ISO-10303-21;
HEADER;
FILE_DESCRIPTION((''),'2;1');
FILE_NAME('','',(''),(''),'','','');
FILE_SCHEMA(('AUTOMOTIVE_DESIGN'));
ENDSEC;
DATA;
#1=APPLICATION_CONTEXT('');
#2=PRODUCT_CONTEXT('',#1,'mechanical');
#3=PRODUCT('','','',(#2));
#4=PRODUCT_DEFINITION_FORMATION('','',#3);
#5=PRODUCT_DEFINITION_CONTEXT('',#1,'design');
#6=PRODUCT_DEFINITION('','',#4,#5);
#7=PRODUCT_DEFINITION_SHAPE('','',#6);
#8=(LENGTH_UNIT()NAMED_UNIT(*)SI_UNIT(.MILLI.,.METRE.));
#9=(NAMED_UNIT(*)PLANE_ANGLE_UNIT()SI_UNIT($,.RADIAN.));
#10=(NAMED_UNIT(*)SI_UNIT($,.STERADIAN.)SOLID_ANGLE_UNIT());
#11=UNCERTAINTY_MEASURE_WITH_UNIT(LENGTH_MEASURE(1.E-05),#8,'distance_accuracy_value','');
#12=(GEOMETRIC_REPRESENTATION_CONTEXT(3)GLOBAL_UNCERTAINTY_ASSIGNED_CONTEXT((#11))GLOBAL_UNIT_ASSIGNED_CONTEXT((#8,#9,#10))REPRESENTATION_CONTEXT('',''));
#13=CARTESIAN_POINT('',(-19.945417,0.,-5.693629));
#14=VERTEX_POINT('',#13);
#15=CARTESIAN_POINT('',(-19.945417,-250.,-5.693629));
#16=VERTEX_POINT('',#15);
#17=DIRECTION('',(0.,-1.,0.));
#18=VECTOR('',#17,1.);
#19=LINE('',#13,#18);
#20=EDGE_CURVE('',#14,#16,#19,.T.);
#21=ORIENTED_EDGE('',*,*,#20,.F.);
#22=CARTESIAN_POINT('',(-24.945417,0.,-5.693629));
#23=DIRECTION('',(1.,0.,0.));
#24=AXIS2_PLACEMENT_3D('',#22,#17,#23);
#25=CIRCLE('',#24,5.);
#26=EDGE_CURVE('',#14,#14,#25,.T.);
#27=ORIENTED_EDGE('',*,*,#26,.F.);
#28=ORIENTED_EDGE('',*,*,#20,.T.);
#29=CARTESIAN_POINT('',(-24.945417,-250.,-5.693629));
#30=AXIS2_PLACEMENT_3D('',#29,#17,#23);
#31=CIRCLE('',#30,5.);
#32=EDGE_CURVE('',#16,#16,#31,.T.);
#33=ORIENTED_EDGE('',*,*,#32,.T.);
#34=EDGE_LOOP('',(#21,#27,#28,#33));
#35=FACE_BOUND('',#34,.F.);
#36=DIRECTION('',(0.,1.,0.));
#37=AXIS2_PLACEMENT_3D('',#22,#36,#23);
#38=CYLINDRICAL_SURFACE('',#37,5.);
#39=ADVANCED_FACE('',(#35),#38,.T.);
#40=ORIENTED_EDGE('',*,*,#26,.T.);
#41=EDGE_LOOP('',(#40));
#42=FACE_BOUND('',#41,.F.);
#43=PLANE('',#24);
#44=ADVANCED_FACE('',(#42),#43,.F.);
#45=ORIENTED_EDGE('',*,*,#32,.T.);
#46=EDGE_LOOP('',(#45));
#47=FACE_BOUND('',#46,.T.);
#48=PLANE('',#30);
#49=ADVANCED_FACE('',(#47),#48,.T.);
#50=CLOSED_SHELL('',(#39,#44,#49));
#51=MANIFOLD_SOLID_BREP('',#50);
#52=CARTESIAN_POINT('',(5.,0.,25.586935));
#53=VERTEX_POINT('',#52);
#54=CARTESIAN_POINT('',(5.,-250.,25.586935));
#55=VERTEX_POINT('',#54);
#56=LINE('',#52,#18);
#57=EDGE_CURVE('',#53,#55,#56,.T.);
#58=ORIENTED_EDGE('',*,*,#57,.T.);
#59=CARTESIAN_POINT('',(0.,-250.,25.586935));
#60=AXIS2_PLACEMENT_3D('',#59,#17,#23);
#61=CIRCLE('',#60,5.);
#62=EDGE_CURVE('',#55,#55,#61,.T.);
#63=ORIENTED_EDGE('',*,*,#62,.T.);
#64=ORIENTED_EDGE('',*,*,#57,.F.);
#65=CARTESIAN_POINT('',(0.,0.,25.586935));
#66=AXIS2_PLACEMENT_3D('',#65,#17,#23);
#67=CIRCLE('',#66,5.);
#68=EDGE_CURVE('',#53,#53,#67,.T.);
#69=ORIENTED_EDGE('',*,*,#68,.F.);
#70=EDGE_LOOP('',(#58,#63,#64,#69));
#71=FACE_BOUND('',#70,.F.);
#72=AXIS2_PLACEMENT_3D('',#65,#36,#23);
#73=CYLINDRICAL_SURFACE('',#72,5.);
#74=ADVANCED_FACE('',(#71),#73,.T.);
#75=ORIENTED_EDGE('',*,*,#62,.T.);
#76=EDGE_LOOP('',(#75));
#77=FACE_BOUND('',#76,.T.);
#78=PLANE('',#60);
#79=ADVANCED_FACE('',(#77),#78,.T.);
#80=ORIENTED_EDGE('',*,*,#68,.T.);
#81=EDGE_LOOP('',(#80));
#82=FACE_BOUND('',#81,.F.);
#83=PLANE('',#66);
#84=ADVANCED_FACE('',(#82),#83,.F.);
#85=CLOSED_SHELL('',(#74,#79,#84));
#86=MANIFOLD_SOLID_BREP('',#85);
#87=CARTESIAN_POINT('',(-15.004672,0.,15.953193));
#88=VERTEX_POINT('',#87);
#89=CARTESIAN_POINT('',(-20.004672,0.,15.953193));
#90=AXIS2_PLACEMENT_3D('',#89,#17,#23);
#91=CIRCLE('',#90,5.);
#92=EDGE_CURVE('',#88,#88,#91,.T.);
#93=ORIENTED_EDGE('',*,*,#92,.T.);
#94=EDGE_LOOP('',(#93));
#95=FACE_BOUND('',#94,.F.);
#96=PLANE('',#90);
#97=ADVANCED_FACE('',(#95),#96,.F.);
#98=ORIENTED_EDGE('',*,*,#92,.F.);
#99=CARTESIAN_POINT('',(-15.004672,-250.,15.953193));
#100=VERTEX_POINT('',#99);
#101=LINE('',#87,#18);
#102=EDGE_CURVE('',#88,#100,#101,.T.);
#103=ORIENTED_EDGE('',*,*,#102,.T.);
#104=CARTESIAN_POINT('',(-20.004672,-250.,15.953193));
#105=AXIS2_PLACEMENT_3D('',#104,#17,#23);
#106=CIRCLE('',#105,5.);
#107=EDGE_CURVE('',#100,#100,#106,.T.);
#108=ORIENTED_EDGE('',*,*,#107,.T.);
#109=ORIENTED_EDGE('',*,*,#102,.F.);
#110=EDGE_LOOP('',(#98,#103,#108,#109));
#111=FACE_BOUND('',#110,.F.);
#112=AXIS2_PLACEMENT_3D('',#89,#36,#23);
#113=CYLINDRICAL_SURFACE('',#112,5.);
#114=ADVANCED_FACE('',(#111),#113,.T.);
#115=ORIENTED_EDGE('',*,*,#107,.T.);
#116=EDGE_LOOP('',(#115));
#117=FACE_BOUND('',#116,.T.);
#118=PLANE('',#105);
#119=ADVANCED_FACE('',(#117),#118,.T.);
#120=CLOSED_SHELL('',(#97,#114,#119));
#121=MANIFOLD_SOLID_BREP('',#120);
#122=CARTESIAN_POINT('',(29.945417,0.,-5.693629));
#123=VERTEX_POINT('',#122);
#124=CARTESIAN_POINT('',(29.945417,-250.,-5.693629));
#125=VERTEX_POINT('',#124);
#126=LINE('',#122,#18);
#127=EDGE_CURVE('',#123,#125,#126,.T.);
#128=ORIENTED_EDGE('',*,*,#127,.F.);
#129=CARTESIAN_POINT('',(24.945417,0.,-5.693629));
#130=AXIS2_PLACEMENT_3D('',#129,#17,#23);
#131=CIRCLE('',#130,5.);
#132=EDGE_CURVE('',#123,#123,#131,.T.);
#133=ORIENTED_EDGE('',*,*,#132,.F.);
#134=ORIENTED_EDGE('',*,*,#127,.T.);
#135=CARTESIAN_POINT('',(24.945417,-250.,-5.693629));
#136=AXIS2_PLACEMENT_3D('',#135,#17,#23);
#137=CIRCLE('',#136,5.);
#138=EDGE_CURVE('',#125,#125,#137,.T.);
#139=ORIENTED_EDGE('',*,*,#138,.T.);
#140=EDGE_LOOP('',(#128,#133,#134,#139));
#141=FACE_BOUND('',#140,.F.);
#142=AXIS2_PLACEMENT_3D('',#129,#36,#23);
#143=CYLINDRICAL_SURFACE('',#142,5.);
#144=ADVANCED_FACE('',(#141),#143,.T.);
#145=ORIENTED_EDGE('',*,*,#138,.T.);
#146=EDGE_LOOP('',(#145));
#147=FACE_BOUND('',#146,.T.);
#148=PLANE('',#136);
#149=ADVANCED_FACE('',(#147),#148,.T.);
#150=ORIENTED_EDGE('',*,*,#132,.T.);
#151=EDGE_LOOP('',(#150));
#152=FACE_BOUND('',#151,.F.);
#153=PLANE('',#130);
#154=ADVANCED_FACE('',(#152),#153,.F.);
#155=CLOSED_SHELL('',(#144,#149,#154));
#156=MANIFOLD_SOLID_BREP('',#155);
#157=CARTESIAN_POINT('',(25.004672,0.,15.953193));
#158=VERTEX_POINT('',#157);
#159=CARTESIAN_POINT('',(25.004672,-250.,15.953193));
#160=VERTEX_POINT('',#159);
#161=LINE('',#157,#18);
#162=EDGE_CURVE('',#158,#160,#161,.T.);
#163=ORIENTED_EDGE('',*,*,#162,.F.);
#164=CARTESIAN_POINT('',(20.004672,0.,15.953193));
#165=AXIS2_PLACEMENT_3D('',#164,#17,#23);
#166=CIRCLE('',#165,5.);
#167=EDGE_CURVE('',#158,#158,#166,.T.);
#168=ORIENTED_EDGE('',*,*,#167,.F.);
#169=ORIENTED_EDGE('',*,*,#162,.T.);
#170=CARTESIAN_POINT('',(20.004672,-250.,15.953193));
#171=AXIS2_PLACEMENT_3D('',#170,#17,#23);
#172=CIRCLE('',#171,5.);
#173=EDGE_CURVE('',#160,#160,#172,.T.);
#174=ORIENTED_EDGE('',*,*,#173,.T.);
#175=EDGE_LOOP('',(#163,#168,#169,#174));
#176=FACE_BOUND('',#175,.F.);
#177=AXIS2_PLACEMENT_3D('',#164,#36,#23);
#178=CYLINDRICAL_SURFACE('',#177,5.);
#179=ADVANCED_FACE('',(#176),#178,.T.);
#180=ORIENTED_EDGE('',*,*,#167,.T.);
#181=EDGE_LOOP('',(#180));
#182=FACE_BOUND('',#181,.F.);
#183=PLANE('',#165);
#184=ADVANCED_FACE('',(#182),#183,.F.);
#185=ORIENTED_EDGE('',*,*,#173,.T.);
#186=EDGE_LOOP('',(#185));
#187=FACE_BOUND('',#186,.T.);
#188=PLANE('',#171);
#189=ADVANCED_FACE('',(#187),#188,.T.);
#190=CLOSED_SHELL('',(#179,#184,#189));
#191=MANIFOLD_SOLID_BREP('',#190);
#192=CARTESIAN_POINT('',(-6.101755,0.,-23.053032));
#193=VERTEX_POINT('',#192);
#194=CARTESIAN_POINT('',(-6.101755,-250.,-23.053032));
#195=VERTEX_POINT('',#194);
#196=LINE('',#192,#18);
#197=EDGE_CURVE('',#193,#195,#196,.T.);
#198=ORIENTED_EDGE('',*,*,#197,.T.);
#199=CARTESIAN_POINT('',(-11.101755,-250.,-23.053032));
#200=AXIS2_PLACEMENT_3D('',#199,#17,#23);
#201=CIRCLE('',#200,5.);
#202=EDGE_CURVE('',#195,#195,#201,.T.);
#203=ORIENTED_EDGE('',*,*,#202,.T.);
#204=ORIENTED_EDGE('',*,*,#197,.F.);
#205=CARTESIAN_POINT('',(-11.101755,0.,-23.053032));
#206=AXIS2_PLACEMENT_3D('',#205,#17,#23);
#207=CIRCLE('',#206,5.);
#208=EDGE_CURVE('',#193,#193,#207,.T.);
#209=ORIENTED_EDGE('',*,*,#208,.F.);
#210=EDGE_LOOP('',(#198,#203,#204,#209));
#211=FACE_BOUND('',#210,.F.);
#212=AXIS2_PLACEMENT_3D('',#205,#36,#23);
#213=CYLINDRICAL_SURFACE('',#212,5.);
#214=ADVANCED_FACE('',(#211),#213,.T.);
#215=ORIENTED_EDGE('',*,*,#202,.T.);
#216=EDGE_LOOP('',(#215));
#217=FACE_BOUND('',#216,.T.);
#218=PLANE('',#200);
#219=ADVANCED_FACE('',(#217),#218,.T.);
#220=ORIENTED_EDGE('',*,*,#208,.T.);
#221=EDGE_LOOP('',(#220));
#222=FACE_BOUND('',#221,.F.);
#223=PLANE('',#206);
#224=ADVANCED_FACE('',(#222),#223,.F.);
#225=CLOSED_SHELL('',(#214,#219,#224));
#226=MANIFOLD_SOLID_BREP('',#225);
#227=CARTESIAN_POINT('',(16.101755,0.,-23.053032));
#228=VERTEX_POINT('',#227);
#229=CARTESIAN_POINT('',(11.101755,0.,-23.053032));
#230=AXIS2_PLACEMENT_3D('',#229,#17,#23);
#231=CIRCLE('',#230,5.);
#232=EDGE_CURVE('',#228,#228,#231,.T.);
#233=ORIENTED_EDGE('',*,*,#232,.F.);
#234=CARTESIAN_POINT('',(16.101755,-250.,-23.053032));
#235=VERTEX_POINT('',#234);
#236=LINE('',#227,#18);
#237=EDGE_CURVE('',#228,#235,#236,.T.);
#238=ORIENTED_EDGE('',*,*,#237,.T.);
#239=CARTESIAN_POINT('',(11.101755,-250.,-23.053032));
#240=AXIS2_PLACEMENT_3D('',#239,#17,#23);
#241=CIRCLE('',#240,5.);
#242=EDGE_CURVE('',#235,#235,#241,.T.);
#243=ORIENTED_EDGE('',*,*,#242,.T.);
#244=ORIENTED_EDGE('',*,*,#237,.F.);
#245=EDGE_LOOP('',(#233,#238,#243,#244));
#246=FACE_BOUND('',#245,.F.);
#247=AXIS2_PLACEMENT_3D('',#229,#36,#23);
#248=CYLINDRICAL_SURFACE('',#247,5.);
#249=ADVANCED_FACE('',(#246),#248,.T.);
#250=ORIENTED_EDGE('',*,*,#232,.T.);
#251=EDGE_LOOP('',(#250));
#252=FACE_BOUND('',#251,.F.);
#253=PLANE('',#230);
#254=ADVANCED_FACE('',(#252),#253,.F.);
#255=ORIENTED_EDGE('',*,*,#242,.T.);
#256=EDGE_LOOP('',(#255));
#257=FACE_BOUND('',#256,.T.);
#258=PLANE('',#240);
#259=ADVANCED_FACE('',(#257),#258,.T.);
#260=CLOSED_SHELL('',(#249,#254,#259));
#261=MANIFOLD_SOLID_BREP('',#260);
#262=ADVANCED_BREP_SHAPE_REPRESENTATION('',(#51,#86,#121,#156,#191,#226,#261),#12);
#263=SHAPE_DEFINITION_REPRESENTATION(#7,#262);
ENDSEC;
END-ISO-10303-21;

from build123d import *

# Parameters (mm, degrees)
F0_R     = 5
F1_DEPTH = 250


with BuildPart() as f1:
    # F0 (on Front) → F1 (new body)
    with BuildSketch(Plane.XZ):
        with Locations((0, 25.586935)):
            Circle(F0_R)
        with Locations((20.004672, 15.953193)):
            Circle(F0_R)
        with Locations((24.945417, -5.693629)):
            Circle(F0_R)
        with Locations((11.101755, -23.053032)):
            Circle(F0_R)
        with Locations((-11.101755, -23.053032)):
            Circle(F0_R)
        with Locations((-24.945417, -5.693629)):
            Circle(F0_R)
        with Locations((-20.004672, 15.953193)):
            Circle(F0_R)
    extrude(amount=F1_DEPTH)


solid = f1.part
